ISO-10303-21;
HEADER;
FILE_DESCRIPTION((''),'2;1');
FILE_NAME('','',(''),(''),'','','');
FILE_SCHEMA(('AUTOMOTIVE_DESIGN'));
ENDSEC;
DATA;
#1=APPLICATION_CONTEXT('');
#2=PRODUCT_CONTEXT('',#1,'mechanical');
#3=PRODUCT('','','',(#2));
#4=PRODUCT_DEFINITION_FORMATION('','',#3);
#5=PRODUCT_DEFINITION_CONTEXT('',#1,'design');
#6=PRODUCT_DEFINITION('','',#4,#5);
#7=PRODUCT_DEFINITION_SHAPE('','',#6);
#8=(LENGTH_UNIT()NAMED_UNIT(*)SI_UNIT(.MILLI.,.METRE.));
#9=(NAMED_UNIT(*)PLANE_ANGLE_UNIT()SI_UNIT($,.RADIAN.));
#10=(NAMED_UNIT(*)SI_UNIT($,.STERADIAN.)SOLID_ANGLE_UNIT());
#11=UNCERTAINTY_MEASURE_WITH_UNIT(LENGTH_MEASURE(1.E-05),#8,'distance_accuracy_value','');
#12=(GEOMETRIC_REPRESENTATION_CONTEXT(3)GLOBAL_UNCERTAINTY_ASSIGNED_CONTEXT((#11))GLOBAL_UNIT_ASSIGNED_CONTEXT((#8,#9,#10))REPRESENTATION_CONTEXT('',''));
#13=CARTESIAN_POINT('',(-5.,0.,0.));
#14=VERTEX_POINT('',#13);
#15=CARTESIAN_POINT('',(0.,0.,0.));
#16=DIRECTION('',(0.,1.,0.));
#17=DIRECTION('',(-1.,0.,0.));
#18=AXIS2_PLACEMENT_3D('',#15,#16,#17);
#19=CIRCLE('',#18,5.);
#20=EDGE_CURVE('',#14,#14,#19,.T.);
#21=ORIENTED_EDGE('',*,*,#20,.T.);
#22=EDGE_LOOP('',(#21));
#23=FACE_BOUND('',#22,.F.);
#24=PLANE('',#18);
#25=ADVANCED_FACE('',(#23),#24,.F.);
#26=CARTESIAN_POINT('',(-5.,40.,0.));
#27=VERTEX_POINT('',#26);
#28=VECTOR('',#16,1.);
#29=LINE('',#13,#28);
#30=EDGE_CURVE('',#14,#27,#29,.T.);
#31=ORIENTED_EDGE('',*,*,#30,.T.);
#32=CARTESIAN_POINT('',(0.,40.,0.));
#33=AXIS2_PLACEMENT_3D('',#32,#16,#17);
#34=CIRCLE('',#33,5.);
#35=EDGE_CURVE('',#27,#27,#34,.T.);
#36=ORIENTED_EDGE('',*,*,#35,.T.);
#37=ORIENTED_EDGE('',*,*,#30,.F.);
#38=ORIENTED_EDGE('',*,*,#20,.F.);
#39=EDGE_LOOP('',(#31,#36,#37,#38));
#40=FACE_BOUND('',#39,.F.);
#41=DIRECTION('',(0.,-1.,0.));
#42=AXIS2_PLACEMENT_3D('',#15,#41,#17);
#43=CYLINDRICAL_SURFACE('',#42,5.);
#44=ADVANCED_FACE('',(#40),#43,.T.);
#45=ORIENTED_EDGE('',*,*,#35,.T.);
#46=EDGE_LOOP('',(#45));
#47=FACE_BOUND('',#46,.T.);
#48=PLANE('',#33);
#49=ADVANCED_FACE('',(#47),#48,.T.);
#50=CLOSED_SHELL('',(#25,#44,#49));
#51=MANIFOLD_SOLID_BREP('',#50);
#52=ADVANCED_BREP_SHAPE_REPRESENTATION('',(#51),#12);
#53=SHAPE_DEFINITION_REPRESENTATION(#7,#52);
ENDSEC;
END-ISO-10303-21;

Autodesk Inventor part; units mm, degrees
ref_plane "YZ Plane" through (0, 0, 0) normal (1, 0, 0) x (0, 1, 0)
ref_plane "XZ Plane" through (0, 0, 0) normal (0, 1, 0) x (-1, 0, 0)
ref_plane "XY Plane" through (0, 0, 0) normal (0, 0, 1) x (1, 0, 0)
sketch "Boceto1" plane through (0, 0, 0) normal (0, 1, 0) x (-1, 0, 0)
  circle A0 centre (0, 0) radius 5
  dimension "d0" = 10
extrude "Extrusión1" add sketch "Boceto1" along normal blind 40
properties part number "union"
